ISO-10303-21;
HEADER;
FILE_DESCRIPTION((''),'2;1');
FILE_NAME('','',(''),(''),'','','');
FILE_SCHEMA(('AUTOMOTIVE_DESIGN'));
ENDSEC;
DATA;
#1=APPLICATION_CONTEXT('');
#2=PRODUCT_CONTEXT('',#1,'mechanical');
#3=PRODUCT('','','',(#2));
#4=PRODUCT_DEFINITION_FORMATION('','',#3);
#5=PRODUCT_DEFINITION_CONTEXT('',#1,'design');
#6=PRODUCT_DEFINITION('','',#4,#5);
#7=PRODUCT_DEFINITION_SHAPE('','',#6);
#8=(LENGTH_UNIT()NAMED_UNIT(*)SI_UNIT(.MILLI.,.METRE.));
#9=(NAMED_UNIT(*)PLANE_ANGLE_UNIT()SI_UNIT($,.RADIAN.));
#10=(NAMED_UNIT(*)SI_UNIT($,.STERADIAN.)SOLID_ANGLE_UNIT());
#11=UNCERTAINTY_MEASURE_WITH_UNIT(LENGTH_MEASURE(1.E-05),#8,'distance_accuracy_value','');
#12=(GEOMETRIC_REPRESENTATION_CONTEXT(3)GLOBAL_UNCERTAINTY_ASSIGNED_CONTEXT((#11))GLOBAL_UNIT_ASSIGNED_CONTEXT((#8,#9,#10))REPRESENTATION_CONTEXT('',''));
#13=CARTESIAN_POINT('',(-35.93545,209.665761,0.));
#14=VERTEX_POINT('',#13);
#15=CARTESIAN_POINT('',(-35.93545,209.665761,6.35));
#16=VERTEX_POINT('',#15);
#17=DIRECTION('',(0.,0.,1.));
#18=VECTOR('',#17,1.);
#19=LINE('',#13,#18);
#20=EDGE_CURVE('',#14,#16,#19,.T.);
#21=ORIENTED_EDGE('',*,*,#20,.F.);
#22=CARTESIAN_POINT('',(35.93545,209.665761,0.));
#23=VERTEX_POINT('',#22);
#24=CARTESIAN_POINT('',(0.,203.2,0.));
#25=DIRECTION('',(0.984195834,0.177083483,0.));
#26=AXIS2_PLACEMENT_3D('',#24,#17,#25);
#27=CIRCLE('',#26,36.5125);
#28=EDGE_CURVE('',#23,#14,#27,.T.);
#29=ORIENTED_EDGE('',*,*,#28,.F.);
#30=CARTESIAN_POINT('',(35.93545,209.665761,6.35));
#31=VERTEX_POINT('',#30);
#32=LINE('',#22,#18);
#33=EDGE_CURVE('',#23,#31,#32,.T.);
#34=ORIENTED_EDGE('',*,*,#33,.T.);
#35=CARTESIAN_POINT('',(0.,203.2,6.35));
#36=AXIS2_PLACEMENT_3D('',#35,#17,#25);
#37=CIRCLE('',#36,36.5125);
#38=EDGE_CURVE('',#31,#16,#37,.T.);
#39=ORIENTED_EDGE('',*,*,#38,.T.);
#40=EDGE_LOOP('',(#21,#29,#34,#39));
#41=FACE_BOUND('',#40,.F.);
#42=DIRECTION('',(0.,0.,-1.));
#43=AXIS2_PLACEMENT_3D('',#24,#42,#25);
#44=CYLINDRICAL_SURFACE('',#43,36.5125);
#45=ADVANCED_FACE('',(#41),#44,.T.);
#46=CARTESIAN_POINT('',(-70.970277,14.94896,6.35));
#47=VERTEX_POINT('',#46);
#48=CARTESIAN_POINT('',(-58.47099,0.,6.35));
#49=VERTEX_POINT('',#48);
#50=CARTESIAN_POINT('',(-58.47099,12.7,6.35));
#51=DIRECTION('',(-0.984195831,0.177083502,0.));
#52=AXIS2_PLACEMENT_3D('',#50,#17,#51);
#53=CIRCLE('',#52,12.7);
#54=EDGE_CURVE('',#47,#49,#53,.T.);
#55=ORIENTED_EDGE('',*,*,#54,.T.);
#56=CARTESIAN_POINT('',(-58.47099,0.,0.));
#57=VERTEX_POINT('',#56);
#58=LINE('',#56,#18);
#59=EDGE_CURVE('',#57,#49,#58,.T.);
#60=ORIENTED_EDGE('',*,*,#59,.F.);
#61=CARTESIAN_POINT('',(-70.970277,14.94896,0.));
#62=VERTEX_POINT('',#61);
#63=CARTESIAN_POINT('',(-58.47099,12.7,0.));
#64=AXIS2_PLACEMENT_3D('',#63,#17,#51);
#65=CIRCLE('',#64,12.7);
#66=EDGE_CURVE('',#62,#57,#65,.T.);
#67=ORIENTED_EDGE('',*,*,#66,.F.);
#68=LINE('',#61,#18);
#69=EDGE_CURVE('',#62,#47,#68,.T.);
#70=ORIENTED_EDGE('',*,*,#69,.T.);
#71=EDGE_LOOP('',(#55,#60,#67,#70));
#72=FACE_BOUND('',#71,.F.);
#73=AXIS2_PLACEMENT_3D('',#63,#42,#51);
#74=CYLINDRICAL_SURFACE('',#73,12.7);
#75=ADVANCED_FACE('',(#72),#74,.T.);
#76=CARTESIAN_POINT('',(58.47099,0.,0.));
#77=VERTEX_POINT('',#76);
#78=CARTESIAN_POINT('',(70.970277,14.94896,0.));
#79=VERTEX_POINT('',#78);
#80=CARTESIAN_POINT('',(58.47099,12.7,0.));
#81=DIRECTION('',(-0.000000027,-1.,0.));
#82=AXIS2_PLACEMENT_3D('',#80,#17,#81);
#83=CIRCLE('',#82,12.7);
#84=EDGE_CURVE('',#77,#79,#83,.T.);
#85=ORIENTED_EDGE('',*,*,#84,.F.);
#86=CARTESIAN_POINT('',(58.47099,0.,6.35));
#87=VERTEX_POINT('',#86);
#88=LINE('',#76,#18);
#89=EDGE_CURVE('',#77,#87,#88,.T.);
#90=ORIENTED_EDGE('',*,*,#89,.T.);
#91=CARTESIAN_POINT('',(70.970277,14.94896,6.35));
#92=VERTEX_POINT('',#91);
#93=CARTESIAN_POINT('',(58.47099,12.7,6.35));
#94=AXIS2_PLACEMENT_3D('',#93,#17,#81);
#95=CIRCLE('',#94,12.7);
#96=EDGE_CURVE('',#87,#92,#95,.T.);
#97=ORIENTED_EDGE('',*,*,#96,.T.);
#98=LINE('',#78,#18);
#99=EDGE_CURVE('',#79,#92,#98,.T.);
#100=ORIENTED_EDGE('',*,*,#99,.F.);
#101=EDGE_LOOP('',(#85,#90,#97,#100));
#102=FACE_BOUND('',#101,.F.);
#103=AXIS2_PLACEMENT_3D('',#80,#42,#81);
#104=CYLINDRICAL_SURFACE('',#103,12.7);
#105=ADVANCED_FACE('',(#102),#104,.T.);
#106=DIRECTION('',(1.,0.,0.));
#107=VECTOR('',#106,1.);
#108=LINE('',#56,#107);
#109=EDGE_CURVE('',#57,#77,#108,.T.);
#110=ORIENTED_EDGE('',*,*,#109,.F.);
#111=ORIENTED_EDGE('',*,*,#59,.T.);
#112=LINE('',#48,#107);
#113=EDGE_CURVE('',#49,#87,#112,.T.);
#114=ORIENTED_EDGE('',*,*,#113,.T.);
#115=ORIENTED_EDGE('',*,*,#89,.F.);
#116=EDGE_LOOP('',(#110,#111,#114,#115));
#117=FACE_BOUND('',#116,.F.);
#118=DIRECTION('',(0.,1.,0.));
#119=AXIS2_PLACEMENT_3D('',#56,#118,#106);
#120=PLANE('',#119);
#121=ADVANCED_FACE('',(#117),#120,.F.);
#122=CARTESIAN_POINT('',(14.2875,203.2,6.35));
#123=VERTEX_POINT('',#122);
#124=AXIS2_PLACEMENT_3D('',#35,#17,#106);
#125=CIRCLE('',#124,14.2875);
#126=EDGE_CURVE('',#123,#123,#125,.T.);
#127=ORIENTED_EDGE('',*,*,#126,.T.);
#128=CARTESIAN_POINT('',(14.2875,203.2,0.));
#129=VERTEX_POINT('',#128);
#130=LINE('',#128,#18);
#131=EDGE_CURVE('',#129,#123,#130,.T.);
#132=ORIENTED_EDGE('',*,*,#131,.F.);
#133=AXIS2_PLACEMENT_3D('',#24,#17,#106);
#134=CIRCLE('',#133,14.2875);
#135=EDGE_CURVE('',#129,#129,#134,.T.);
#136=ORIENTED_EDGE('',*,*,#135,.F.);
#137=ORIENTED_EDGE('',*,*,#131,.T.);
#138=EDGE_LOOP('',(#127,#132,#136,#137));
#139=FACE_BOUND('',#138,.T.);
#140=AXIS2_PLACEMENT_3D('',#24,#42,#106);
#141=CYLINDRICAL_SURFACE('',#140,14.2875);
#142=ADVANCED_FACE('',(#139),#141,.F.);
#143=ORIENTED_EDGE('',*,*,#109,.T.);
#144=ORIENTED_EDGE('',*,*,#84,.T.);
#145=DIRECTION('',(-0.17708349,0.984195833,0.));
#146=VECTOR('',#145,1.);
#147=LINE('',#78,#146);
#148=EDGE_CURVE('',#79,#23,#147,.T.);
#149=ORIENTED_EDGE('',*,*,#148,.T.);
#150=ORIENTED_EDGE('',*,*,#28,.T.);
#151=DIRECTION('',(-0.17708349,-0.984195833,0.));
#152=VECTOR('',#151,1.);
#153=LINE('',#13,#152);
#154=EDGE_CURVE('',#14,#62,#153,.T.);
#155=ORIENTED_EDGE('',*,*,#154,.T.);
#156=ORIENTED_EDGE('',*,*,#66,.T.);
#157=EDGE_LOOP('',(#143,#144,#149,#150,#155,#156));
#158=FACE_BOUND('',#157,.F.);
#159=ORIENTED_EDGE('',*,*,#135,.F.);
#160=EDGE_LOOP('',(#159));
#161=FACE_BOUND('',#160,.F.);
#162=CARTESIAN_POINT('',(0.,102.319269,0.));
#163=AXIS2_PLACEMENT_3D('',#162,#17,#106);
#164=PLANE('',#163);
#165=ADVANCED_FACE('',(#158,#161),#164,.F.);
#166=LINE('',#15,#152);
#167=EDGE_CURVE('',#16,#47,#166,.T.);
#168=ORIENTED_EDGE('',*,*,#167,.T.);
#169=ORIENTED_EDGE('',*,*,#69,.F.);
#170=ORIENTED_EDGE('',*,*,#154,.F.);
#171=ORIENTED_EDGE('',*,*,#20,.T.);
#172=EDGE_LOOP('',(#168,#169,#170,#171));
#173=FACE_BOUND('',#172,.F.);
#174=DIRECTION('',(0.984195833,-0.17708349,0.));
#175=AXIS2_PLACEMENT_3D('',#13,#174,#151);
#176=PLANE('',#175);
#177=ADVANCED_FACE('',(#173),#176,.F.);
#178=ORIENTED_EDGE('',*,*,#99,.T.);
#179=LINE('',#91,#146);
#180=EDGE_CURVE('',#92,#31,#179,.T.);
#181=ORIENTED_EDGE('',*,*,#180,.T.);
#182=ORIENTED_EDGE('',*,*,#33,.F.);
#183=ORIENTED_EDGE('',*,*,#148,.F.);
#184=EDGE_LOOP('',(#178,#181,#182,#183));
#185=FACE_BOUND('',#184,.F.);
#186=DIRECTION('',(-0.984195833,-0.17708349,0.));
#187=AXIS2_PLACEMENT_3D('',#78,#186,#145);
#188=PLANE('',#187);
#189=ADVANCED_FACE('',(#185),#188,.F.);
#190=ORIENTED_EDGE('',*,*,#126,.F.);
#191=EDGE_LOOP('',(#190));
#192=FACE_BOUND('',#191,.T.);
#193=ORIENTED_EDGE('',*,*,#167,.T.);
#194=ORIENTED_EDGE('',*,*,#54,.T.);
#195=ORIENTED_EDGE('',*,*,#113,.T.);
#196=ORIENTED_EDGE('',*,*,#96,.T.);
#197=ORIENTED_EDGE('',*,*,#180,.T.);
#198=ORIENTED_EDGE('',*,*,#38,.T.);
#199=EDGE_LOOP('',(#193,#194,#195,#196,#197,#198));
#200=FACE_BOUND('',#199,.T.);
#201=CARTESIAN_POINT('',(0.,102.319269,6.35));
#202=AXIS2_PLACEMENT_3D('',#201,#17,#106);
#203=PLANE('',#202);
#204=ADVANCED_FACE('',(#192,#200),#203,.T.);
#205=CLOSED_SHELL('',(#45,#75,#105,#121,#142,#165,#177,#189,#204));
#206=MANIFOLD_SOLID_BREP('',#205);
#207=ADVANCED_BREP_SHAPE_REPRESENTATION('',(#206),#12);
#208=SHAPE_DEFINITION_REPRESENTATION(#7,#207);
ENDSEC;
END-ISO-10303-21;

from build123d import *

# Parameters (mm, degrees)
F0_R     = 14.2875
F1_DEPTH = 6.35


with BuildPart() as f1:
    # F0 (on Top) → F1 (new body)
    with BuildSketch(Plane.XY):
        with BuildLine():
            ThreePointArc((-70.970277, 14.94896), (-68.213982, 4.553583), (-58.47099, 0))
            Line((-58.47099, 0), (58.47099, 0))
            ThreePointArc((58.47099, 0), (68.213982, 4.553583), (70.970277, 14.94896))
            Line((70.970277, 14.94896), (35.93545, 209.665761))
            ThreePointArc((35.93545, 209.665761), (0, 239.7125), (-35.93545, 209.665761))
            Line((-35.93545, 209.665761), (-70.970277, 14.94896))
        make_face()
        with Locations((0, 203.2)):
            Circle(F0_R, mode=Mode.SUBTRACT)
    extrude(amount=F1_DEPTH)


solid = f1.part
